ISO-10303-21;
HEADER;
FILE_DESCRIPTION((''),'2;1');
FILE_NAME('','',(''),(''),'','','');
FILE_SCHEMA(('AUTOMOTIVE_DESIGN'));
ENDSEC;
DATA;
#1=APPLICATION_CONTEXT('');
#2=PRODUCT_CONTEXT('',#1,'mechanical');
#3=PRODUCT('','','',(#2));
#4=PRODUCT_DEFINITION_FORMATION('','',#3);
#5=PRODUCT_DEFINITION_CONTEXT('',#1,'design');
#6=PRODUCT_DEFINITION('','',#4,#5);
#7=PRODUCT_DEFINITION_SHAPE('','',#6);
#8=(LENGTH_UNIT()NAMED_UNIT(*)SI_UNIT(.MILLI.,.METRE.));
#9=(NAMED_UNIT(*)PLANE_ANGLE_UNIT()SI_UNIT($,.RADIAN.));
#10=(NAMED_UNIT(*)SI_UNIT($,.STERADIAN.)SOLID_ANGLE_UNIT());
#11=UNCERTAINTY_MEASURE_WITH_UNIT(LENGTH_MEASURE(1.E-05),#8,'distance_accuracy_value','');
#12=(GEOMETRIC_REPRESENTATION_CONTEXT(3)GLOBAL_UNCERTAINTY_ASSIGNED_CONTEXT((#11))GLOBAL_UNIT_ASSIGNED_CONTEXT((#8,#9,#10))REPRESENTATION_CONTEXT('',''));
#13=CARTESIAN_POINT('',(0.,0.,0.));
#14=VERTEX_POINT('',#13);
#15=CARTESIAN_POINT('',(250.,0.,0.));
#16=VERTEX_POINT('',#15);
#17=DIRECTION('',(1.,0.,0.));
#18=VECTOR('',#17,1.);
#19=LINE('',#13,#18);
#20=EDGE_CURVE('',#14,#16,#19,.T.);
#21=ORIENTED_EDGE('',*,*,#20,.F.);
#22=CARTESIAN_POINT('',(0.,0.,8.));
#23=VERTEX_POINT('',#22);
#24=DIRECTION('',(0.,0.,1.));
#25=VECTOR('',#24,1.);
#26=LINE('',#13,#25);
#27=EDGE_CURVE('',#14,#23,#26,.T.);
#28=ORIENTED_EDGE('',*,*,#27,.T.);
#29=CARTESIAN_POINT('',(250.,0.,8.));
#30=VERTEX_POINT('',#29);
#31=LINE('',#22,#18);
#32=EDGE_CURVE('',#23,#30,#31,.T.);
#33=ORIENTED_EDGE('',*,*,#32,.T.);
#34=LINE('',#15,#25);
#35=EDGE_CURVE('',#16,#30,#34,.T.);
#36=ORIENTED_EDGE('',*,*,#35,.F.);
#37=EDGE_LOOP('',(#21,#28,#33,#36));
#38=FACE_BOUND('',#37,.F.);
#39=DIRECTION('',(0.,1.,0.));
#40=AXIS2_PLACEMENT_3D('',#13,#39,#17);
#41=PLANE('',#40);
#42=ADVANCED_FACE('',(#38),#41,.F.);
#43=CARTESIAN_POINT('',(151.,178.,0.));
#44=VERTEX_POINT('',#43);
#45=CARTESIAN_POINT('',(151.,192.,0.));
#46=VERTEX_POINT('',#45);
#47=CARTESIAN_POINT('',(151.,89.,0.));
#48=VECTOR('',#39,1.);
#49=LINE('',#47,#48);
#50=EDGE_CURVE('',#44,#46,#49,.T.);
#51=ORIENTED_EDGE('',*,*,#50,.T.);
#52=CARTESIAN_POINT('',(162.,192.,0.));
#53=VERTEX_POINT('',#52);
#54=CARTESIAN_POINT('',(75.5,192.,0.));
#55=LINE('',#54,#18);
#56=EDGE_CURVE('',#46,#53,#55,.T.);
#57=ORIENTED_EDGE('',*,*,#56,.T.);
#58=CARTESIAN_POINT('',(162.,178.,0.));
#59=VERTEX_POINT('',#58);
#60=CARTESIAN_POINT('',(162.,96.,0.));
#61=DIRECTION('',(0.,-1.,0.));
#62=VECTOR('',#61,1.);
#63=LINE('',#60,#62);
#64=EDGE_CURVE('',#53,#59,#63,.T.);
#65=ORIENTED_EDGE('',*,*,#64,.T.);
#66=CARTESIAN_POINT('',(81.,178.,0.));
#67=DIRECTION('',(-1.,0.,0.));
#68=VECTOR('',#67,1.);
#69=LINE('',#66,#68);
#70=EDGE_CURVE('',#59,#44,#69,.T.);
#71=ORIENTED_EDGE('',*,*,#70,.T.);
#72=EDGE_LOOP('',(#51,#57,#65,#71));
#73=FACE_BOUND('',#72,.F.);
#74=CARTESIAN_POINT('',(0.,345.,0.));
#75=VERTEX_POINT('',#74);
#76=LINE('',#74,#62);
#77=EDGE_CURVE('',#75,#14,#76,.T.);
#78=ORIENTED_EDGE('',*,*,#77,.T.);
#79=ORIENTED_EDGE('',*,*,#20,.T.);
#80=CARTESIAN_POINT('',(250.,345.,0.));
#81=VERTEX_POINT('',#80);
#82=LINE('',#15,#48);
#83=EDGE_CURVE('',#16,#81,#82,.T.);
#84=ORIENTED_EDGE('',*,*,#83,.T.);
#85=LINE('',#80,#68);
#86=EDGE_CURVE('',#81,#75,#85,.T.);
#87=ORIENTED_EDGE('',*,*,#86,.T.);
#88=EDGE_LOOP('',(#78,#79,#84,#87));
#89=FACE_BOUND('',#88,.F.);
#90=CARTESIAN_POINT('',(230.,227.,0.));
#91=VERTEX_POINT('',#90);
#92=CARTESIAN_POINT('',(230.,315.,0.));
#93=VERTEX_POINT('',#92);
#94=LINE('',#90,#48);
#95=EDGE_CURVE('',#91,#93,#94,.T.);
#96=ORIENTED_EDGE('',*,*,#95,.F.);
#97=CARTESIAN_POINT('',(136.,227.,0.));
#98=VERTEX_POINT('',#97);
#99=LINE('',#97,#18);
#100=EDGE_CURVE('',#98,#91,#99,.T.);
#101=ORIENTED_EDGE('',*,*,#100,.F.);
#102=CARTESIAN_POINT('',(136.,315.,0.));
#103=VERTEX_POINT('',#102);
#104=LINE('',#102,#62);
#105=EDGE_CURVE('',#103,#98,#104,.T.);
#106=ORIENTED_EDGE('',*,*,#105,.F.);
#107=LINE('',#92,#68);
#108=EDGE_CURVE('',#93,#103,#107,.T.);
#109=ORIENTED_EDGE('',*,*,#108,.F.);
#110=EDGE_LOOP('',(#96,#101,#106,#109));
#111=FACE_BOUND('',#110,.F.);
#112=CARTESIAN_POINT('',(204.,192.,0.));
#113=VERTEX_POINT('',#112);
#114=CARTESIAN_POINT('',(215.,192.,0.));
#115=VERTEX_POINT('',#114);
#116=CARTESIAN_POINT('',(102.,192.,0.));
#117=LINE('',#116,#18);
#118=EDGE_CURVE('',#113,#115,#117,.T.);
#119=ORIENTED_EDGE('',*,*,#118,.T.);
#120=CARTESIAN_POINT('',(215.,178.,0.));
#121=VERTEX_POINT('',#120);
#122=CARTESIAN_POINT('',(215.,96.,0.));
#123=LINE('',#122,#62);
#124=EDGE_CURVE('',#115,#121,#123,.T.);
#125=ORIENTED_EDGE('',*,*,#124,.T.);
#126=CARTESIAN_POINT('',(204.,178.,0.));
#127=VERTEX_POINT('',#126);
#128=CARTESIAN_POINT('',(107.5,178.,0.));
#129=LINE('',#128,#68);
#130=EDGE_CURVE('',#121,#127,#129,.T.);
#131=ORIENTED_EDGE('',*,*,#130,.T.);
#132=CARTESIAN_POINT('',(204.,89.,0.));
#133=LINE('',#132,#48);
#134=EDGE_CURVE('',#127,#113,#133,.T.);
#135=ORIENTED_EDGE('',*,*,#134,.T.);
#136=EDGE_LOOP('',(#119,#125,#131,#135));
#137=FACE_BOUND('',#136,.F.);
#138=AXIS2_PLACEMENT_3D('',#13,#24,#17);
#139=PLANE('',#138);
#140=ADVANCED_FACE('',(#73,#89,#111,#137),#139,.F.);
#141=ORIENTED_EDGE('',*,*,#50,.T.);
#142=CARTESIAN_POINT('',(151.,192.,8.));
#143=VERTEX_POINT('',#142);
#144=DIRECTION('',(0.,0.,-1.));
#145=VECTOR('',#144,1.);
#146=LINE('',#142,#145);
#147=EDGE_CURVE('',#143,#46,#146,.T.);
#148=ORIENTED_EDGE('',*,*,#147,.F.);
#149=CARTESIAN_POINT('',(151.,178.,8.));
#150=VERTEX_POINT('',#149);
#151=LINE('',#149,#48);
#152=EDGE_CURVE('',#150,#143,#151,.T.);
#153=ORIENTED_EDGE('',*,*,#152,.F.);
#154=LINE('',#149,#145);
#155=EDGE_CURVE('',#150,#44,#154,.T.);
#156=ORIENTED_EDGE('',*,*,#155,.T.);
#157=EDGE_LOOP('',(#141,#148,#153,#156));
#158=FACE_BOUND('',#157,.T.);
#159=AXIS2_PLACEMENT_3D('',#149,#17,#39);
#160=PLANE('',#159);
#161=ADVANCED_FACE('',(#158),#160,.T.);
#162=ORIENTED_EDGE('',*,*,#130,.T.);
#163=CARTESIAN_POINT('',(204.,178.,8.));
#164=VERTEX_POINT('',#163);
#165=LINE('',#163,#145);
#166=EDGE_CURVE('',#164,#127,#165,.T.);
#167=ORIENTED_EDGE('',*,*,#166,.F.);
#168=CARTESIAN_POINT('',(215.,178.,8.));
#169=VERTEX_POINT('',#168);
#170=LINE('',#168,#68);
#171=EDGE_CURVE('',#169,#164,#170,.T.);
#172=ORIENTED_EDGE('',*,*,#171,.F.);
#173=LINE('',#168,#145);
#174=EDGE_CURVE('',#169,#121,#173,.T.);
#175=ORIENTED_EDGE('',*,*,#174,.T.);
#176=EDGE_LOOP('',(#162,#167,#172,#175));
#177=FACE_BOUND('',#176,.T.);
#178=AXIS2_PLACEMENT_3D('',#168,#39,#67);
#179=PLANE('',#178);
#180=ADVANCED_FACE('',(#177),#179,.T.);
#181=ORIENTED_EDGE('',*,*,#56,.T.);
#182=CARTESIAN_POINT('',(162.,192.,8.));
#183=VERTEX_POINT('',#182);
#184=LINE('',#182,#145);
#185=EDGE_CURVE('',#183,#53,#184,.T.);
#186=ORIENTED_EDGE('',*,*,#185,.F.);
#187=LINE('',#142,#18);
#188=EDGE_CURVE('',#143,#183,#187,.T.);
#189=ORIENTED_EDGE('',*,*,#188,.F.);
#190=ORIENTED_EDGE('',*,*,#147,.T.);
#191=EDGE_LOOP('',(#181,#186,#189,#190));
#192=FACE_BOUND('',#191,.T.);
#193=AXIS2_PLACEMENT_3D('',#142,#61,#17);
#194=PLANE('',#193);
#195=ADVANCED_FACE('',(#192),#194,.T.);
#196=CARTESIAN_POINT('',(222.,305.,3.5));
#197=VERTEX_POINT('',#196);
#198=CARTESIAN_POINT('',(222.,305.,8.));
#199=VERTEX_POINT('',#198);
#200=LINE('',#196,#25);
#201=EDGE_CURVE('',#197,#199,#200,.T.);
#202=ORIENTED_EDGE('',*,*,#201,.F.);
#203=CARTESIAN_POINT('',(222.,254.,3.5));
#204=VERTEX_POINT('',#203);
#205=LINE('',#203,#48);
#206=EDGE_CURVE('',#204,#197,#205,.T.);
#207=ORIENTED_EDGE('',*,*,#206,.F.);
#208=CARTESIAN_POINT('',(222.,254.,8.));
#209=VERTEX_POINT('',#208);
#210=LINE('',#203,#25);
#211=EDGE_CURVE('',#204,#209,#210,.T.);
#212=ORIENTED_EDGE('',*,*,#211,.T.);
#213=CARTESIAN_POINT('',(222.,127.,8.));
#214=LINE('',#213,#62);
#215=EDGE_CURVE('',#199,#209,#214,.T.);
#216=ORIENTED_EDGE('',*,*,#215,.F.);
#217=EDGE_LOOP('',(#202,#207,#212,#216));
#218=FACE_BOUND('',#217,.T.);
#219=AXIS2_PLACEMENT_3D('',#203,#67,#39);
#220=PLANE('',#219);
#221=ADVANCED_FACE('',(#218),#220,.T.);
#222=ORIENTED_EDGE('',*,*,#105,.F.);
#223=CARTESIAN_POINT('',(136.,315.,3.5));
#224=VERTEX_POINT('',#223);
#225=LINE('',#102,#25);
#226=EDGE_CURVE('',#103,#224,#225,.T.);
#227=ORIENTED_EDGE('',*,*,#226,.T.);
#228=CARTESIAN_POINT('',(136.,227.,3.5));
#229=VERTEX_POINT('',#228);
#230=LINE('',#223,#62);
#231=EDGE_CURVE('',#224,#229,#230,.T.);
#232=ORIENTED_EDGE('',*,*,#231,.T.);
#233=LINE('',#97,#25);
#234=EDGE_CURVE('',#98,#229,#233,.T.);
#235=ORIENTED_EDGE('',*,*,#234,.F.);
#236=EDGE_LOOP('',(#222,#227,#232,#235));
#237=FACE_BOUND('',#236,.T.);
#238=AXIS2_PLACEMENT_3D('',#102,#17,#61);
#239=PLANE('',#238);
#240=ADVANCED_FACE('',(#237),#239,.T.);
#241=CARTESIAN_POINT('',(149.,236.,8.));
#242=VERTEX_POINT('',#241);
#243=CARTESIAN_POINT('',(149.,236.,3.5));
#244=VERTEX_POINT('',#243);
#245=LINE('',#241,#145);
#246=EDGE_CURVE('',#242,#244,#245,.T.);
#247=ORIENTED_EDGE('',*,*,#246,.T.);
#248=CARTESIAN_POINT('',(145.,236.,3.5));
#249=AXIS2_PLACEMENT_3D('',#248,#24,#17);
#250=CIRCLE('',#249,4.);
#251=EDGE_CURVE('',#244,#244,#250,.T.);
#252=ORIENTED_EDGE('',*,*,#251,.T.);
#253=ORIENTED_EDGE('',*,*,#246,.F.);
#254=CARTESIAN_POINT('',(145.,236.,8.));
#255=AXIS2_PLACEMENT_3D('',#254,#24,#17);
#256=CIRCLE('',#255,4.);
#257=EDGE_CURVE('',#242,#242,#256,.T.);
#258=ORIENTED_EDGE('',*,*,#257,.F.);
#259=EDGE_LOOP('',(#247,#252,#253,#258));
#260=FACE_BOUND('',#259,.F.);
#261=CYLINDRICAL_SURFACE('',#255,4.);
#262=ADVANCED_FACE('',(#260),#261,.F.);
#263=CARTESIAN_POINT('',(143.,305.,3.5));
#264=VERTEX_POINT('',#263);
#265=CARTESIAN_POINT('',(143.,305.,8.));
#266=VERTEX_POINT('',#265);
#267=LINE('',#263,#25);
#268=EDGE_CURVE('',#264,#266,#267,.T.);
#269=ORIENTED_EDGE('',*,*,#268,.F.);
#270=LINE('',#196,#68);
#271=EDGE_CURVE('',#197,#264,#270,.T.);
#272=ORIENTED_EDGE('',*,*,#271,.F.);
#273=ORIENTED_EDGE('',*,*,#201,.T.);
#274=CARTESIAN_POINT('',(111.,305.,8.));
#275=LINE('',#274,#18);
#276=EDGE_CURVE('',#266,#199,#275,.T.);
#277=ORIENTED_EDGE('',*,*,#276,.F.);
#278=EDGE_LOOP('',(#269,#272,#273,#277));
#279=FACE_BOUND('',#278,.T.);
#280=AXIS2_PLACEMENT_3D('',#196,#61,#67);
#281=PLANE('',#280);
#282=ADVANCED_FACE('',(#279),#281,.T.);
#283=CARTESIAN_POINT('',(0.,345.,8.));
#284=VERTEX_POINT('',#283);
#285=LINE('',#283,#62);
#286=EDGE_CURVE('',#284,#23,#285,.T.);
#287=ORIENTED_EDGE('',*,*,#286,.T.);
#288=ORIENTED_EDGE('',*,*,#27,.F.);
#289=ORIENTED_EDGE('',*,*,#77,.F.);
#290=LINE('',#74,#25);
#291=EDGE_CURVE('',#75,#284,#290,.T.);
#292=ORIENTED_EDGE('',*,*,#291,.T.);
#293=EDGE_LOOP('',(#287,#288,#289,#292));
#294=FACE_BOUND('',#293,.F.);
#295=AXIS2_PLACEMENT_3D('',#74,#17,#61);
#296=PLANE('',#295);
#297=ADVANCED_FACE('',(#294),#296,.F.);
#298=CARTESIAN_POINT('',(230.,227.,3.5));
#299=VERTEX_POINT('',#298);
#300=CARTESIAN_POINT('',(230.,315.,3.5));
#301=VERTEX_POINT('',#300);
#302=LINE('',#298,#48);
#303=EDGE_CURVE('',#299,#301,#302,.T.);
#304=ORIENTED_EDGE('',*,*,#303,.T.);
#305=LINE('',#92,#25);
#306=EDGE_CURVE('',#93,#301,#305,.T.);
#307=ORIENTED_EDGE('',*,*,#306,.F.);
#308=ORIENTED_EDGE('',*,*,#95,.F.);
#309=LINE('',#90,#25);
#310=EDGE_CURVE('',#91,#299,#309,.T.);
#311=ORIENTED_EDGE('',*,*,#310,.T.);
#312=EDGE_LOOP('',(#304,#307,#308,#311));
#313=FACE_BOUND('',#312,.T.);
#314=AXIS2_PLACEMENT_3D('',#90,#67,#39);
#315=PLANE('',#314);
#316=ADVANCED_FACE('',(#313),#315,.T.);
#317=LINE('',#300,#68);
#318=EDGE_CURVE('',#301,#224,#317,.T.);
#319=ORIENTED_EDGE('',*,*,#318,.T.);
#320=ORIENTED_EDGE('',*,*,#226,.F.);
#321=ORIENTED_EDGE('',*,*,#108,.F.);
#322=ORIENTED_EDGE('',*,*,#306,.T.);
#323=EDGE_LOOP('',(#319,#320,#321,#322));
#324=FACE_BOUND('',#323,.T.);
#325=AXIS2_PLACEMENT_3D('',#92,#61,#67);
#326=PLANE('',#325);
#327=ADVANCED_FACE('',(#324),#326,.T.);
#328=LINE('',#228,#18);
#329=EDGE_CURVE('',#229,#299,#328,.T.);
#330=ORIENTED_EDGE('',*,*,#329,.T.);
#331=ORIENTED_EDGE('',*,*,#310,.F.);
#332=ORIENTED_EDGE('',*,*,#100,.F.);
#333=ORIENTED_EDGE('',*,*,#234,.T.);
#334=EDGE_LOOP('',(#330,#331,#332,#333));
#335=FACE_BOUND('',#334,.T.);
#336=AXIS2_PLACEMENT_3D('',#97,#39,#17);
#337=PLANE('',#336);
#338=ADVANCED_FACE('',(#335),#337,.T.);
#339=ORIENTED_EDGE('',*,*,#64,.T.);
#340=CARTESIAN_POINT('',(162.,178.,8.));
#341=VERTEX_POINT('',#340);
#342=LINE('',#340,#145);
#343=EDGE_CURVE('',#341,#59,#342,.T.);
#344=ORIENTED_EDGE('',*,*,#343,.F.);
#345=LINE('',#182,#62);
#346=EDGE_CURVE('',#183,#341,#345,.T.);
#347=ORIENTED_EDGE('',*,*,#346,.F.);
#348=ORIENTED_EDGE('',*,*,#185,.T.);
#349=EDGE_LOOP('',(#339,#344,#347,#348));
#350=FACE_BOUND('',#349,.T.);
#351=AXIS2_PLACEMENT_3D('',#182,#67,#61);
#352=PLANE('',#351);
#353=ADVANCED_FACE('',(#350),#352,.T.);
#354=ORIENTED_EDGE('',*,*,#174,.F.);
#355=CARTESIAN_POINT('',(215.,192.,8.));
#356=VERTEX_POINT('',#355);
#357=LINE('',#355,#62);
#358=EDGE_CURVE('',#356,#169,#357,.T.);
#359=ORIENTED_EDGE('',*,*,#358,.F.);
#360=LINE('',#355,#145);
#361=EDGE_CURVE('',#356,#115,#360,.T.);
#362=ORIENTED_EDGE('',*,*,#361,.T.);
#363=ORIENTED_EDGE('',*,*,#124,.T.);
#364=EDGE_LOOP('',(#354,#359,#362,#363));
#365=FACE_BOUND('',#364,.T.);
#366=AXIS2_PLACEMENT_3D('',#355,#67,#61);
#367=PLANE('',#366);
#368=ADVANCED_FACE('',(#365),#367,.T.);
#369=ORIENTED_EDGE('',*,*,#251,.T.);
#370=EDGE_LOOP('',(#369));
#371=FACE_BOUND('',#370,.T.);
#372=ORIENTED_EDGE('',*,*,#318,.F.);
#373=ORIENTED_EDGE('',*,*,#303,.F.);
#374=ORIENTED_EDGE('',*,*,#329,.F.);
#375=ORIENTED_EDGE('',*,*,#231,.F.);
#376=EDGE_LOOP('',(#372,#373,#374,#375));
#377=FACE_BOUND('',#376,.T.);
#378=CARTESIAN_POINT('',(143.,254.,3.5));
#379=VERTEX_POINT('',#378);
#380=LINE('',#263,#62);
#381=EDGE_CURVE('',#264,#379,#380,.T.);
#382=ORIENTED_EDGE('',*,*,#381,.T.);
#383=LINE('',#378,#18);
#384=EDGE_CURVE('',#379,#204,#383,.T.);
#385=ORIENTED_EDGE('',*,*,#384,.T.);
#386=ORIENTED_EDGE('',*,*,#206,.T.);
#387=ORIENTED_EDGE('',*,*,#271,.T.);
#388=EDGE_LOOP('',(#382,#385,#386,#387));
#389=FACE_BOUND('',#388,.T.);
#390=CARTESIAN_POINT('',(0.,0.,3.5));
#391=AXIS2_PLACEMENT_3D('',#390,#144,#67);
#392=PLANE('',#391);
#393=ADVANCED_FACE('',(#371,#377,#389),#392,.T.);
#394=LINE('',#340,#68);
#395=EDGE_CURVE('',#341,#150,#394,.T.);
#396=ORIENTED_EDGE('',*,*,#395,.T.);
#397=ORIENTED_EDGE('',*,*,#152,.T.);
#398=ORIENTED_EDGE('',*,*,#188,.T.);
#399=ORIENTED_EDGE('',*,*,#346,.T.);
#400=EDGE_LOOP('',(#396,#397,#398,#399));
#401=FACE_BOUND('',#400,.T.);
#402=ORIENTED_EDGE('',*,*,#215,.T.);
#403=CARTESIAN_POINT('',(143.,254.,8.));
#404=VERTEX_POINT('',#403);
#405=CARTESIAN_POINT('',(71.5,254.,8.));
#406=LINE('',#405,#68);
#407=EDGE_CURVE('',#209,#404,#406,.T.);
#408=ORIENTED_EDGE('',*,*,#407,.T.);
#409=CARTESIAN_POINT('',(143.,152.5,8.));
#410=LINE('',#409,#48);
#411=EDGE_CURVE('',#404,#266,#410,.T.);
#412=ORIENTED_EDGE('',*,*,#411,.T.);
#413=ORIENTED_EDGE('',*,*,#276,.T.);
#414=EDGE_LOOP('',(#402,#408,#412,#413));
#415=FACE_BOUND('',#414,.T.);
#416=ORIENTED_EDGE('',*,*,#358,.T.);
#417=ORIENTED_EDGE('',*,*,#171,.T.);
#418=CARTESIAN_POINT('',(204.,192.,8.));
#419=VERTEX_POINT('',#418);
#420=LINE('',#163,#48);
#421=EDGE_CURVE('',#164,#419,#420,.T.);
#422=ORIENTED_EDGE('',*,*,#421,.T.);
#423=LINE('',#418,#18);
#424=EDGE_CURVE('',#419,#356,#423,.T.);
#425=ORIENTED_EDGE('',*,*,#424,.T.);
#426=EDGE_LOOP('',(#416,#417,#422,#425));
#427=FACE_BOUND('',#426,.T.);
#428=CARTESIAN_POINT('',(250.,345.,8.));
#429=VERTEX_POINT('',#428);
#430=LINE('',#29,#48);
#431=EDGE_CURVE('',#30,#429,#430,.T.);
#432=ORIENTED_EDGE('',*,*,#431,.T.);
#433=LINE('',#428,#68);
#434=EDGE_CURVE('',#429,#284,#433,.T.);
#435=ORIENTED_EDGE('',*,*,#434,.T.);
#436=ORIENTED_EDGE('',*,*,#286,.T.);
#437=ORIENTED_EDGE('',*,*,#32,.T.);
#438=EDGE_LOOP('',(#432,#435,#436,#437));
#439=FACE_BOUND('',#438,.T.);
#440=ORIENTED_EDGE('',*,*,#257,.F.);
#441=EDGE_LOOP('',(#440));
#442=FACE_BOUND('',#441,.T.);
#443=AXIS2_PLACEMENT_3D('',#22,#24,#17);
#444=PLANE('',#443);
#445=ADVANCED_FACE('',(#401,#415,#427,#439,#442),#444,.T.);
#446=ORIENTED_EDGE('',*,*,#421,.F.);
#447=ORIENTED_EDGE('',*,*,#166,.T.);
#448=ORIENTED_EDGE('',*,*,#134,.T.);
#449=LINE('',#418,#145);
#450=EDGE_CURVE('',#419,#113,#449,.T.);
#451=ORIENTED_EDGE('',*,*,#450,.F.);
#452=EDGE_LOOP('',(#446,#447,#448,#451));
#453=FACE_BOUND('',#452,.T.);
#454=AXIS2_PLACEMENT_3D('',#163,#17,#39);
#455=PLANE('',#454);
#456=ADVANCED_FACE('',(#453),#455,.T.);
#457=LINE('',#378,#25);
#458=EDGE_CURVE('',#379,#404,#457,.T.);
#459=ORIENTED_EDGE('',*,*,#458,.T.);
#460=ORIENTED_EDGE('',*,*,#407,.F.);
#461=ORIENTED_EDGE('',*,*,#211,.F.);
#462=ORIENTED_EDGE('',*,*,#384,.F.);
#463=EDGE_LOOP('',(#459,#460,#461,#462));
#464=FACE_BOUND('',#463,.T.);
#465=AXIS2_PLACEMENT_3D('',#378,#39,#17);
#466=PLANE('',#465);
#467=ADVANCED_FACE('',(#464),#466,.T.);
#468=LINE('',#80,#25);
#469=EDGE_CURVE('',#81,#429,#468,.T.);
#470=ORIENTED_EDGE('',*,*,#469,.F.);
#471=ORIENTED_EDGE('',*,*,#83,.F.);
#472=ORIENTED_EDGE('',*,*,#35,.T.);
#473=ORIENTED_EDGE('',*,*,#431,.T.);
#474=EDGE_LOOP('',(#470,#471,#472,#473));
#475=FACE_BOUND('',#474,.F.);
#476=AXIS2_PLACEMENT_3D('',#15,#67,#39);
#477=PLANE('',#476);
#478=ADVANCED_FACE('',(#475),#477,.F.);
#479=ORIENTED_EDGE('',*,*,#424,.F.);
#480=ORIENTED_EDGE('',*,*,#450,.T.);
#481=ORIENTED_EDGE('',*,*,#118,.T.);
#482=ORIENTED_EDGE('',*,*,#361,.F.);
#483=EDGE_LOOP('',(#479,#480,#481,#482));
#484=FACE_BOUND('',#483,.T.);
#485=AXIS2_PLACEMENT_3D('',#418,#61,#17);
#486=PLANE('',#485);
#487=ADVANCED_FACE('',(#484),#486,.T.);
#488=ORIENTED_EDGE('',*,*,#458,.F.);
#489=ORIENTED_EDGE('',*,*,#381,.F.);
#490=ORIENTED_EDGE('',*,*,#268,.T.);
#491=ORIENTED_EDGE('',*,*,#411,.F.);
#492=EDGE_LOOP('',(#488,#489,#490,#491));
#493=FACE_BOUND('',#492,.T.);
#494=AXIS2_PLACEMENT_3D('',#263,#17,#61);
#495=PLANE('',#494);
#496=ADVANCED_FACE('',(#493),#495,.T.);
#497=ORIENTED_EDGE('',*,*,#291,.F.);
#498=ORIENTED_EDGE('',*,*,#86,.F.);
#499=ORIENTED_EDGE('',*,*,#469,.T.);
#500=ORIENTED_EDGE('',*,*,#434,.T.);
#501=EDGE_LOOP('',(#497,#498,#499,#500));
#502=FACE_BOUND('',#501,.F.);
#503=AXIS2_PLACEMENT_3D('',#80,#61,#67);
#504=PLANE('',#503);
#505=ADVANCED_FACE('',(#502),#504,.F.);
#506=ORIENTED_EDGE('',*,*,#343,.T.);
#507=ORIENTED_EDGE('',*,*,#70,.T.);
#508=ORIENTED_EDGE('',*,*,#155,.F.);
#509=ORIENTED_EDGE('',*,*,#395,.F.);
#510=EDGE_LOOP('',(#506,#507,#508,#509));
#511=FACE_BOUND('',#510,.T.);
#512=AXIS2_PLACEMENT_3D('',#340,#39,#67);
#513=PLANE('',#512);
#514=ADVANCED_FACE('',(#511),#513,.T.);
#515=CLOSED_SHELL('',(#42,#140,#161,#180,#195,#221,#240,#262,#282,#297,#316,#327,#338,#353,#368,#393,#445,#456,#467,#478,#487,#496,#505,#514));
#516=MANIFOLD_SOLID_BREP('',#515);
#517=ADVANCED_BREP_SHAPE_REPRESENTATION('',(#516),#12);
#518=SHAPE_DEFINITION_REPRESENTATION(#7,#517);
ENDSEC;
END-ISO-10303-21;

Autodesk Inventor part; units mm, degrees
ref_plane "YZ Plane" through (0, 0, 0) normal (1, 0, 0) x (0, 1, 0)
ref_plane "XZ Plane" through (0, 0, 0) normal (0, 1, 0) x (-1, 0, 0)
ref_plane "XY Plane" through (0, 0, 0) normal (0, 0, 1) x (1, 0, 0)
sketch "Sketch1" plane through (0, 0, 0) normal (0, 0, 1) x (1, 0, 0)
  line L0 (0, 0) -> (250, 0)
  line L1 (250, 0) -> (250, 345)
  line L2 (250, 345) -> (0, 345)
  line L3 (0, 345) -> (0, 0)
  dimension "d0" = 250
  dimension "d1" = 345
extrude "Extrusion1" add sketch "Sketch1" along normal blind 8
sketch "Sketch2" plane through (0, 0, 8) normal (0, 0, 1) x (1, 0, 0)
  line L0 (136, 315) -> (230, 315)
  line L1 (230, 315) -> (230, 227)
  line L2 (230, 227) -> (136, 227)
  line L3 (136, 227) -> (136, 315)
  line L4 (250, 0) -> (250, 345) projected
  line L5 (250, 345) -> (0, 345) projected
  line L6 (151, 192) -> (162, 192)
  line L7 (162, 192) -> (162, 178)
  line L8 (162, 178) -> (151, 178)
  line L9 (151, 178) -> (151, 192)
  line L10 (204, 192) -> (215, 192)
  line L11 (215, 192) -> (215, 178)
  line L12 (215, 178) -> (204, 178)
  line L13 (204, 178) -> (204, 192)
  circle A0 centre (145, 236) radius 4
  point P0 (0, 0)
  dimension "d4" = 94
  dimension "d5" = 88
  dimension "d6" = 20
  dimension "d7" = 30
  dimension "d8" = 9
  dimension "d9" = 9
  dimension "d10" = 8
  dimension "d11" = 11
  dimension "d12" = 14
  dimension "d13" = 11
  dimension "d14" = 14
  dimension "d15" = 15
  dimension "d16" = 15
  dimension "d17" = 35
extrude "Extrusion2" cut sketch "Sketch2" against normal through all contours L6 L7 L8 L9 | L10 L11 L12 L13 | A0
sketch "Sketch3" plane through (0, 0, 0) normal (0, 0, -1) x (-1, 0, 0)
  line L0 (-230, 315) -> (-136, 315)
  line L1 (-136, 315) -> (-136, 227)
  line L2 (-136, 227) -> (-230, 227)
  line L3 (-230, 227) -> (-230, 315)
  line L4 (-250, 345) -> (0, 345) projected
  line L5 (-250, 0) -> (-250, 345) projected
  point P0 (0, 0)
  dimension "d20" = 94
  dimension "d21" = 30
  dimension "d22" = 88
  dimension "d23" = 20
extrude "Extrusion3" cut sketch "Sketch3" against normal blind 3.5
sketch "Sketch4" plane through (0, 0, 3.5) normal (0, 0, -1) x (-1, 0, 0)
  line L0 (-222, 305) -> (-143, 305)
  line L1 (-143, 305) -> (-143, 254)
  line L2 (-143, 254) -> (-222, 254)
  line L3 (-222, 254) -> (-222, 305)
  line L4 (-230, 227) -> (-230, 315) projected
  line L5 (-136, 315) -> (-136, 227) projected
  line L6 (-230, 315) -> (-136, 315) projected
  line L7 (-136, 227) -> (-230, 227) projected
  point P0 (0, 0)
  dimension "d26" = 8
  dimension "d27" = 7
  dimension "d28" = 10
  dimension "d29" = 27
extrude "Extrusion4" cut sketch "Sketch4" against normal through all contours L0 L1 L2 L3
equation "\"d13\" = d11"
equation "\"d14\" = d12"
properties part number "capac frontal"
